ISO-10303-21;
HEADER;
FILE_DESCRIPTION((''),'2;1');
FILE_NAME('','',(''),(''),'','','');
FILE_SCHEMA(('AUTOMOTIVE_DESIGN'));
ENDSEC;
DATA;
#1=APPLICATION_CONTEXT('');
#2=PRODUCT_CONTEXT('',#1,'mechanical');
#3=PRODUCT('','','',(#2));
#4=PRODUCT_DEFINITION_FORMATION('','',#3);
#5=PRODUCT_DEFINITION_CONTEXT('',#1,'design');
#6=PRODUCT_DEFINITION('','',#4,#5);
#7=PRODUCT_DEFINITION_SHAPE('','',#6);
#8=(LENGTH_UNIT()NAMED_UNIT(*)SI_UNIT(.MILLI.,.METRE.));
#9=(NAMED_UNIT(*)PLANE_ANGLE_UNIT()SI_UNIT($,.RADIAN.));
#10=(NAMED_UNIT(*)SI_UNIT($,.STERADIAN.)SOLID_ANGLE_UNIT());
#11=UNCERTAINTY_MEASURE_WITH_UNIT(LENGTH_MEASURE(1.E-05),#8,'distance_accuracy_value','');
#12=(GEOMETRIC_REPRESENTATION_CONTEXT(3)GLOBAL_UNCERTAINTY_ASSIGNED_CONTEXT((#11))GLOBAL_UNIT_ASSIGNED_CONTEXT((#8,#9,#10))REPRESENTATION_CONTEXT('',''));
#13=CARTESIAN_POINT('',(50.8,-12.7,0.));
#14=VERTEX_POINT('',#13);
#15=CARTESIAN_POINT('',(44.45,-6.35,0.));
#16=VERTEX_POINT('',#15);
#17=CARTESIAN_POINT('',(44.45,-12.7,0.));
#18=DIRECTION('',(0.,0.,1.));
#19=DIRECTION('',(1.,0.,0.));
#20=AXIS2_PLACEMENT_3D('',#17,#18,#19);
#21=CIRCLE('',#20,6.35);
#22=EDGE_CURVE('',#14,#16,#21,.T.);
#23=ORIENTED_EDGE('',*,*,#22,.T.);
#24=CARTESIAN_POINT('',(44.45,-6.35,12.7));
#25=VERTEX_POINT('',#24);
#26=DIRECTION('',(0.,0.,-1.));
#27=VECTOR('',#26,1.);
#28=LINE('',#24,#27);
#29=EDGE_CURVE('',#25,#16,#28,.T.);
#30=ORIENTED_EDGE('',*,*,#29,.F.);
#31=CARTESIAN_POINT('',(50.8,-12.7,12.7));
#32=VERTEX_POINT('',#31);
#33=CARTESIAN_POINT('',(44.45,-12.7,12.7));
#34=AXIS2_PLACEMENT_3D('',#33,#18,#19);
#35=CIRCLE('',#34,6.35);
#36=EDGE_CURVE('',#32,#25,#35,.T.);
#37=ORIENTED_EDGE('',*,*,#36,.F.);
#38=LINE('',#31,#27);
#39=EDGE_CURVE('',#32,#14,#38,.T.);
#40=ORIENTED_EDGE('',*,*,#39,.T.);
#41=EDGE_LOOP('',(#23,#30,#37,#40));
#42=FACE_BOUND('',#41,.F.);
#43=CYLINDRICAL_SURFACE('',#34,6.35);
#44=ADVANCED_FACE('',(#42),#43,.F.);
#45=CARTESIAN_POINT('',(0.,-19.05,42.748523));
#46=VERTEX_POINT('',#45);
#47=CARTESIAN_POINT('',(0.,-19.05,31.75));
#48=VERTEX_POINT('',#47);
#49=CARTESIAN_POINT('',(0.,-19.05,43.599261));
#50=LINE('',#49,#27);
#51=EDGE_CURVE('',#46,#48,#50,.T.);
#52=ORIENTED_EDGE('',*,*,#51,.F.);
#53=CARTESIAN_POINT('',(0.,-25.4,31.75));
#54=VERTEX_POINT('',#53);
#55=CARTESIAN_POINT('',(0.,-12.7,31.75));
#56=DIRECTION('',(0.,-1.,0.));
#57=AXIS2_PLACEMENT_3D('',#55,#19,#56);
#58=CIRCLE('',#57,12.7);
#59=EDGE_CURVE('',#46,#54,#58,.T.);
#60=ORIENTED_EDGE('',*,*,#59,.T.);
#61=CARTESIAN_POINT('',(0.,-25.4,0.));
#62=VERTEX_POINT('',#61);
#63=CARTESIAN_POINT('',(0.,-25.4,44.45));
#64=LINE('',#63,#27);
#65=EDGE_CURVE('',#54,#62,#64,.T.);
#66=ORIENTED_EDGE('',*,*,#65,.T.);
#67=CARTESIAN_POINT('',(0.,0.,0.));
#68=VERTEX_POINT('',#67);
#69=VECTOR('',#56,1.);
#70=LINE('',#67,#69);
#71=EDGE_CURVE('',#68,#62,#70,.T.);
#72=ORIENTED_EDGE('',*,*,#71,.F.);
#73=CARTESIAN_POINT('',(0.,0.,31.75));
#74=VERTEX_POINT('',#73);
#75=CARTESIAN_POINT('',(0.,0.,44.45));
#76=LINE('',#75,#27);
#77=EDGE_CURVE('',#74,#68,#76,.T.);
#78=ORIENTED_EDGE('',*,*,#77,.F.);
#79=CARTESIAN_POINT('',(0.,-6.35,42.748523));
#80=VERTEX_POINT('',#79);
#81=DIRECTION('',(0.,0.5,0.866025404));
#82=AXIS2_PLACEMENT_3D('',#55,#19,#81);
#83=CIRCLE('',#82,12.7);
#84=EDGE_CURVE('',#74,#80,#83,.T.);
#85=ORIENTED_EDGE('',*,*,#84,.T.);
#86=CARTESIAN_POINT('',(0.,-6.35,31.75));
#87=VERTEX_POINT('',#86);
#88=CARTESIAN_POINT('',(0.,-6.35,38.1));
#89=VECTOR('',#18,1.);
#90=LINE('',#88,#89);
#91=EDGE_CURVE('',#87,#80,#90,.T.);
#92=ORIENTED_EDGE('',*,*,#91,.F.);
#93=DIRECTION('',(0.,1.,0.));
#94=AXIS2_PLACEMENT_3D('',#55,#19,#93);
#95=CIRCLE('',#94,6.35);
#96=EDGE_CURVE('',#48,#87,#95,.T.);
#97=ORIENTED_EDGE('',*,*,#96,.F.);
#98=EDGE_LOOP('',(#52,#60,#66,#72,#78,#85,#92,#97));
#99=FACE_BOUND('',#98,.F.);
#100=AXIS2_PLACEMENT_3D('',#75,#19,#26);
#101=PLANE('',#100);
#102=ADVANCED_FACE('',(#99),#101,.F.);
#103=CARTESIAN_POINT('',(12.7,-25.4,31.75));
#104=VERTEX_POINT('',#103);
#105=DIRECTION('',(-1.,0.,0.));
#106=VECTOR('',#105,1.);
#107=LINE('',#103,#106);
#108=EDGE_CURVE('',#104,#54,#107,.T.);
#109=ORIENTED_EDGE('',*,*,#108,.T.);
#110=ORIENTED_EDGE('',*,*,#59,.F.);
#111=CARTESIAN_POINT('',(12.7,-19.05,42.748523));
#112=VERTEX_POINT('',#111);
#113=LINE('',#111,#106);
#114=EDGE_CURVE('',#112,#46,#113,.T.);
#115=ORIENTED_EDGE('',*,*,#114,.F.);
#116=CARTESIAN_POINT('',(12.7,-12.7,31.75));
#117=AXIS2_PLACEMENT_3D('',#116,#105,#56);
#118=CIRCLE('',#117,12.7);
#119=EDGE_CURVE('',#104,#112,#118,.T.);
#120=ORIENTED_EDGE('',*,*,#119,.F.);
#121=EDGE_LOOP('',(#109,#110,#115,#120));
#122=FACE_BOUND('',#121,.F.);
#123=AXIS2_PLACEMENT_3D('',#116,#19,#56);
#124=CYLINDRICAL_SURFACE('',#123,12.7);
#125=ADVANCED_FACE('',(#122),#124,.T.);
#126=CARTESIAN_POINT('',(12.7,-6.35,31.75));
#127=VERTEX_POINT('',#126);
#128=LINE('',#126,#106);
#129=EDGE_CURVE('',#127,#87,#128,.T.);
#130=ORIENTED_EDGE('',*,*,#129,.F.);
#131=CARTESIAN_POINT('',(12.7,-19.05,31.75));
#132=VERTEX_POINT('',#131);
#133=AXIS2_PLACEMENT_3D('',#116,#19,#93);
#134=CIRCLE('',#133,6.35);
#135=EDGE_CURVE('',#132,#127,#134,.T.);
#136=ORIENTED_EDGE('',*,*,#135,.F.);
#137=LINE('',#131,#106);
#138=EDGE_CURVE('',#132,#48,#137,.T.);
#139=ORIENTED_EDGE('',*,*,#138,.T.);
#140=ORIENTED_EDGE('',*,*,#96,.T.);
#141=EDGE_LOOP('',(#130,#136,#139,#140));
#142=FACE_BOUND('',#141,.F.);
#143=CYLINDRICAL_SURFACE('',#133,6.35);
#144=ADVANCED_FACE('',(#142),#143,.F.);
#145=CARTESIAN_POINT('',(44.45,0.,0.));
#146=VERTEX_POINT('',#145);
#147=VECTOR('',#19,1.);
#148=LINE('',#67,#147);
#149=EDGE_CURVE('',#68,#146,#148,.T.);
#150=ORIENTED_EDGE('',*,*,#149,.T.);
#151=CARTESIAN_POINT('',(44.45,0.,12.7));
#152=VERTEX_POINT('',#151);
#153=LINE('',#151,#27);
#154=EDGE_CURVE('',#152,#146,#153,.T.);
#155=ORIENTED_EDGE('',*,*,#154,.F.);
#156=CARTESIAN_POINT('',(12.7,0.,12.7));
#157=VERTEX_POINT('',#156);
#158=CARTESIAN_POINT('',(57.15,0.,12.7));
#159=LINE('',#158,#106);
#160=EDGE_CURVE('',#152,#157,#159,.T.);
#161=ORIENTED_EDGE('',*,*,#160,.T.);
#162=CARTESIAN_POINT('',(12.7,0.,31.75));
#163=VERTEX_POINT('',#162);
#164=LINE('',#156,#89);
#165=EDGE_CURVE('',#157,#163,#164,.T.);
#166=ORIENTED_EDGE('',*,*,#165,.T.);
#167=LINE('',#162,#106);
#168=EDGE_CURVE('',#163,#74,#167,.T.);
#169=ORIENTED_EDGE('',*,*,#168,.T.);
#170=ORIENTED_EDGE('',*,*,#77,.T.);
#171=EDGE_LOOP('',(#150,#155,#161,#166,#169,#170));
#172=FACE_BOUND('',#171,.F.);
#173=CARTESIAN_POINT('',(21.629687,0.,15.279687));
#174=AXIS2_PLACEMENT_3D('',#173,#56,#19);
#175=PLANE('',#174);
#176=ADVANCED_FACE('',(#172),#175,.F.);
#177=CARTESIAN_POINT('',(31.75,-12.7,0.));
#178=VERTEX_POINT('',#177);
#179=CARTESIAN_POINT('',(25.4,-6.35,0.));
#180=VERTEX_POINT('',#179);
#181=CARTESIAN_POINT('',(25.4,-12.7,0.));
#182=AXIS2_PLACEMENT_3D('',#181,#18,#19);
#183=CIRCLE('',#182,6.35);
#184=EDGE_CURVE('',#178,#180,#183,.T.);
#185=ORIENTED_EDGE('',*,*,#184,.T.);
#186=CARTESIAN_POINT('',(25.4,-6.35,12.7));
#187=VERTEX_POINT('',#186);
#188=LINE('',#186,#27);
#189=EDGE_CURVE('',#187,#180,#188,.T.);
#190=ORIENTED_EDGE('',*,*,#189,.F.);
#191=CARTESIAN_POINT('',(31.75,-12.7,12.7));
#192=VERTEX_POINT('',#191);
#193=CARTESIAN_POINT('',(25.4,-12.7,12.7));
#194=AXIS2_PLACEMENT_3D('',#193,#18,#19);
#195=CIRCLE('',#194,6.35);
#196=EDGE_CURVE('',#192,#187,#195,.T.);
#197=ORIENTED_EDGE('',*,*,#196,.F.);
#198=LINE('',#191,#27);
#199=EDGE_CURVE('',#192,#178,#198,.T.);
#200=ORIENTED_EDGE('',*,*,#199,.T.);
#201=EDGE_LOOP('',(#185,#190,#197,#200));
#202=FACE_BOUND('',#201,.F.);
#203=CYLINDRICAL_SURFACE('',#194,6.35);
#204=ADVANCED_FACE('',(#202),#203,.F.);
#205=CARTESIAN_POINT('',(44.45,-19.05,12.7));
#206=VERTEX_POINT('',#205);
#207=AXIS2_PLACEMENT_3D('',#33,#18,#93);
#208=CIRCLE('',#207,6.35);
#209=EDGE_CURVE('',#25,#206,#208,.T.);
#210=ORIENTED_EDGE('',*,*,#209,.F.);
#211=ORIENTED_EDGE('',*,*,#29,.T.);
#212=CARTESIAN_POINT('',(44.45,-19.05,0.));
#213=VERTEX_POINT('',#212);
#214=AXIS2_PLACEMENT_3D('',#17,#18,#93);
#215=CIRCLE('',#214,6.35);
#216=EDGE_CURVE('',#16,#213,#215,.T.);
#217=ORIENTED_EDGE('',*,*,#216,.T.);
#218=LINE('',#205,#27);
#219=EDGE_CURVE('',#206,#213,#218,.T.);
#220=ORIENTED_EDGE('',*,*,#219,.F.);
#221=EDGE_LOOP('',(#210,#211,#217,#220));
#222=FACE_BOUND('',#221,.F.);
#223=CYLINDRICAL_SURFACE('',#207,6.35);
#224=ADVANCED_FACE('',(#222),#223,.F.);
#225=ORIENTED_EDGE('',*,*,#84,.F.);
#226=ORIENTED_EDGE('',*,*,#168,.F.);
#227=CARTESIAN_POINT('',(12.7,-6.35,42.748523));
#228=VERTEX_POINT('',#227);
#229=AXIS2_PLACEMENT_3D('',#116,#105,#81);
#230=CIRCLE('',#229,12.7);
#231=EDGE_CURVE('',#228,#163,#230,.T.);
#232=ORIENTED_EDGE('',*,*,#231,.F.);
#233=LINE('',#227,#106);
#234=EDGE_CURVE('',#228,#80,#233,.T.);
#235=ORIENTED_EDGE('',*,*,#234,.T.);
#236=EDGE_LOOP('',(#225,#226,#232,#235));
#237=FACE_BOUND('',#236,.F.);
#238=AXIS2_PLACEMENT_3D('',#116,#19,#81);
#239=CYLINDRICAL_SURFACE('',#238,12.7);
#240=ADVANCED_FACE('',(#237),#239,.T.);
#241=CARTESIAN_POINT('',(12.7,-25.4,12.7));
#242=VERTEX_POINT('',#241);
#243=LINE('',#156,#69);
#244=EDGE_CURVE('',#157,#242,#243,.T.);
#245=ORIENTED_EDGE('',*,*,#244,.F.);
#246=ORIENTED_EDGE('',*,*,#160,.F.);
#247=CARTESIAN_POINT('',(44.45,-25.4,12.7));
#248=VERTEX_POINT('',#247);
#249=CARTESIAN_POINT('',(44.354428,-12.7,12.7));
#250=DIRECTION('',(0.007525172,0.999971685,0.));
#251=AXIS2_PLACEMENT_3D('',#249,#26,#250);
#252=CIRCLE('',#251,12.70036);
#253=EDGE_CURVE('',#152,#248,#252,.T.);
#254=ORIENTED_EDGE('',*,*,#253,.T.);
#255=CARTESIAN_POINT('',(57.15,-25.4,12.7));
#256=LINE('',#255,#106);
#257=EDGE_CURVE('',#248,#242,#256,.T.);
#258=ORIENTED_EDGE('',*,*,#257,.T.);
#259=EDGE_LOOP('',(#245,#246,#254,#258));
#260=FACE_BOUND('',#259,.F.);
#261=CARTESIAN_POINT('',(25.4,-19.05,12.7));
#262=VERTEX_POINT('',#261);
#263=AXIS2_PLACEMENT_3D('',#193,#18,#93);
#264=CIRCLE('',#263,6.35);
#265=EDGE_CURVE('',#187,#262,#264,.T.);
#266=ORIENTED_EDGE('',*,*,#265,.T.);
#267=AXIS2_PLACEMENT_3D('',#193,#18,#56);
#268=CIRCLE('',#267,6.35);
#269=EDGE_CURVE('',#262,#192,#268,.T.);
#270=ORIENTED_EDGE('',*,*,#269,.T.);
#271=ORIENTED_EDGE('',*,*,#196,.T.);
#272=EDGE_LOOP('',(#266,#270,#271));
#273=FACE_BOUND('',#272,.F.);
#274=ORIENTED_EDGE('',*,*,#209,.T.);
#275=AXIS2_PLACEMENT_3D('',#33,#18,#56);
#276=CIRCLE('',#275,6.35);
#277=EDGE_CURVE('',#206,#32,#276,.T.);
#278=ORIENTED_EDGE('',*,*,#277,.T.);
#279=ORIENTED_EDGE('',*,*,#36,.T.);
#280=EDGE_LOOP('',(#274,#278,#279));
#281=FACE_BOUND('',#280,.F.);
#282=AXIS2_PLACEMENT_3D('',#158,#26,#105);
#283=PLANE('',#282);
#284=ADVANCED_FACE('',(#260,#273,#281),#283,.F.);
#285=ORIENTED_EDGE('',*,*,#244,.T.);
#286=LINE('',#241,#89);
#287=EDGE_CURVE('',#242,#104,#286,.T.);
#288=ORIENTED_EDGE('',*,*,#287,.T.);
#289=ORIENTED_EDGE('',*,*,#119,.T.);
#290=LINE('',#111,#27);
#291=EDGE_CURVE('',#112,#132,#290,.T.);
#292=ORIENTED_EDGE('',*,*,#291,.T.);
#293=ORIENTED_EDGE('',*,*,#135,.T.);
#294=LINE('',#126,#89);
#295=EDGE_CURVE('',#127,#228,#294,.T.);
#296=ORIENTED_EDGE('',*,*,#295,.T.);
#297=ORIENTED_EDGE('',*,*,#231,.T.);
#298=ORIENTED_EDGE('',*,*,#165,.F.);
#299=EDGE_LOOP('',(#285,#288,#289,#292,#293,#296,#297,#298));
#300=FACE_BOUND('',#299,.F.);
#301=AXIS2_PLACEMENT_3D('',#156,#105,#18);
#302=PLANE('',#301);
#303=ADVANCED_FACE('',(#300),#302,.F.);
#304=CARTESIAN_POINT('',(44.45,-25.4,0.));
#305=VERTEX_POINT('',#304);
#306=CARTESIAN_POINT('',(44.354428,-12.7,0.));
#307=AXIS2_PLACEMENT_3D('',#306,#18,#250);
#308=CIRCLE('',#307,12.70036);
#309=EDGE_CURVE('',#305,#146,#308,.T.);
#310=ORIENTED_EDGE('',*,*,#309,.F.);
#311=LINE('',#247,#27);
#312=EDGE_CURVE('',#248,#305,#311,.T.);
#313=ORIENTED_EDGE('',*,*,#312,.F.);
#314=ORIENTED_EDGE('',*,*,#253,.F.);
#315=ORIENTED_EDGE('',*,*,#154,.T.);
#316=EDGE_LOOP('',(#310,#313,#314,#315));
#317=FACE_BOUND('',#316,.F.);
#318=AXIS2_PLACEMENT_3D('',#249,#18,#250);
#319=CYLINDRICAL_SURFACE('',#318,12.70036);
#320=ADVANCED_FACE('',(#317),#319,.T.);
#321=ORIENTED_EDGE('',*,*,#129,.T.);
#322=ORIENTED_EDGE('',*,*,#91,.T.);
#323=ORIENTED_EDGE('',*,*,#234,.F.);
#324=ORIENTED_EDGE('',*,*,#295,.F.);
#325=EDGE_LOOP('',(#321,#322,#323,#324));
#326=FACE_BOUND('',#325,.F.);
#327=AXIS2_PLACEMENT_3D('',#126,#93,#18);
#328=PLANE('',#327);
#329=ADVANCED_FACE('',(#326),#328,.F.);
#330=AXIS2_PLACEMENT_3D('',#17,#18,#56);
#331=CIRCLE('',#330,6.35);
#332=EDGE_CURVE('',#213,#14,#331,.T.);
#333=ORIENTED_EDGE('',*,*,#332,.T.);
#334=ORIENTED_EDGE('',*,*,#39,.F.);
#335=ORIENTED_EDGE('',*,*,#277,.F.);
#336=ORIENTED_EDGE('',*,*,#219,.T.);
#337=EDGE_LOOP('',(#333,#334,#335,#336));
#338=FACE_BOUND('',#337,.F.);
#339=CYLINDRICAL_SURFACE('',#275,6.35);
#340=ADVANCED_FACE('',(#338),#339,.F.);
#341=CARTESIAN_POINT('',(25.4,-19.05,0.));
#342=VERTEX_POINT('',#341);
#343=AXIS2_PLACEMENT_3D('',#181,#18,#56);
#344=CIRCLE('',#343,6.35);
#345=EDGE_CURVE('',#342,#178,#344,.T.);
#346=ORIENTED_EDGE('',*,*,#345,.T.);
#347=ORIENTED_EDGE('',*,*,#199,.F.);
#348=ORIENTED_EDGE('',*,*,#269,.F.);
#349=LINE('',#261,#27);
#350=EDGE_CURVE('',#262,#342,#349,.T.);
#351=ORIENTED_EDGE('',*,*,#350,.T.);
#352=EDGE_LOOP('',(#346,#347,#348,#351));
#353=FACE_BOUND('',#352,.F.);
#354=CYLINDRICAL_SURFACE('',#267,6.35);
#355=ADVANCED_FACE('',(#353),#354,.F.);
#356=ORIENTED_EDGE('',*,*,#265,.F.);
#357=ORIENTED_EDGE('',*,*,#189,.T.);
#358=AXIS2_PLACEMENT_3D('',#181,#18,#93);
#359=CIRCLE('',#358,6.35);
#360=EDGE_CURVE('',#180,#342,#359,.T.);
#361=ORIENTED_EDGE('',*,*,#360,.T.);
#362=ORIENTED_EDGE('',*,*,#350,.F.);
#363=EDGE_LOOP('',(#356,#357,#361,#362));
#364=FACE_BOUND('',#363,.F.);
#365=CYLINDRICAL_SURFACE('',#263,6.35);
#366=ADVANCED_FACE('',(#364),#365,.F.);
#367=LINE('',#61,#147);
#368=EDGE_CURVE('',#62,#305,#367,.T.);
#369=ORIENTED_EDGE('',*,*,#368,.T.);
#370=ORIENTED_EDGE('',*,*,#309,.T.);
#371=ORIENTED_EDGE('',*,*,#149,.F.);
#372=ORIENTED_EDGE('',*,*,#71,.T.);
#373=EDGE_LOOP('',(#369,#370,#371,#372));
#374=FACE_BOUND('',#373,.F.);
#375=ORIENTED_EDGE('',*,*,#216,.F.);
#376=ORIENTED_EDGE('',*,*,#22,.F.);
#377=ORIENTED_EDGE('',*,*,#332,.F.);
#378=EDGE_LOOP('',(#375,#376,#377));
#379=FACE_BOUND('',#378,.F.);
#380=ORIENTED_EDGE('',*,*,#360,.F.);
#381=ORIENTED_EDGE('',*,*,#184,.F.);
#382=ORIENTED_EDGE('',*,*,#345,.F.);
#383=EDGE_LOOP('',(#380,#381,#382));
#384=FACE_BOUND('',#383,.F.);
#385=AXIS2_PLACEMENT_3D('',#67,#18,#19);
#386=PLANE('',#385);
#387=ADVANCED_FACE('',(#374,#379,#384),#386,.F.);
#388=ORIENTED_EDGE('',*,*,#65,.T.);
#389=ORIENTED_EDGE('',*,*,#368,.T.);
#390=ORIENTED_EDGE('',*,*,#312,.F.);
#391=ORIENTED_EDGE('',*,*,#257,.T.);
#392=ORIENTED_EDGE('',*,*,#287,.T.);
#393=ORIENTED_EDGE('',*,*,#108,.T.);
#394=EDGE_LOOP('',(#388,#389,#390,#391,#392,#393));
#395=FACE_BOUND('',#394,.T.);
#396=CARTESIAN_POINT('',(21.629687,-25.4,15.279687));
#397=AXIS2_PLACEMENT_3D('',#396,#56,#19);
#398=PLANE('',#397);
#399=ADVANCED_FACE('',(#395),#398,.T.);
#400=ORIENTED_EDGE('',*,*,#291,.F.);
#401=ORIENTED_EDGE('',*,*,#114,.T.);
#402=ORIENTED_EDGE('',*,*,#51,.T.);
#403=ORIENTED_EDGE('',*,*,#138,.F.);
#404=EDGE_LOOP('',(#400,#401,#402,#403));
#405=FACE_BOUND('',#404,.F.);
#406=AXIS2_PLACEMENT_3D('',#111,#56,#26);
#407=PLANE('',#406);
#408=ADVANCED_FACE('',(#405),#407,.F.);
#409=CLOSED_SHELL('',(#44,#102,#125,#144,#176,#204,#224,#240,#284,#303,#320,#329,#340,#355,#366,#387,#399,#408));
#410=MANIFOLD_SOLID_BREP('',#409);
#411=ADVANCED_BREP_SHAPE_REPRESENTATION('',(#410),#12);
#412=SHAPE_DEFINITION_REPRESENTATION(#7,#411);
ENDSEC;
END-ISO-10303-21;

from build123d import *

# Parameters (mm, degrees)
F1_DEPTH = 25.4
F3_DEPTH = 12.701
F5_DEPTH = 12.701


with BuildPart() as f1:
    # F0 (on Front) → F1 (new body)
    with BuildSketch(Plane.XZ):
        Polygon((0, 44.45), (0, 0), (57.15, 0), (57.15, 12.7), (12.7, 12.7), (12.7, 44.45), align=None)
    extrude(amount=F1_DEPTH)

    # F2 (on face) → F3 (cut, through all)
    with BuildSketch(Plane.XY.offset(12.7)):
        with BuildLine():
            Line((25.4, -19.05), (25.4, -6.35))
            ThreePointArc((25.4, -6.35), (19.05, -12.7), (25.4, -19.05))
        make_face()
        with BuildLine():
            ThreePointArc((31.75, -12.7), (29.8901280605, -8.2098719395), (25.4, -6.35))
            Line((25.4, -6.35), (25.4, -19.05))
            ThreePointArc((25.4, -19.05), (29.8901280605, -17.1901280605), (31.75, -12.7))
        make_face()
        with BuildLine():
            Line((44.45, -19.05), (44.45, -6.35))
            ThreePointArc((44.45, -6.35), (38.1, -12.7), (44.45, -19.05))
        make_face()
        with BuildLine():
            ThreePointArc((50.8, -12.7), (48.9401280605, -8.2098719395), (44.45, -6.35))
            Line((44.45, -6.35), (44.45, -19.05))
            ThreePointArc((44.45, -19.05), (48.9401280605, -17.1901280605), (50.8, -12.7))
        make_face()
        with BuildLine():
            Line((57.15, 0), (44.45, 0))
            ThreePointArc((44.45, 0), (57.0547872188, -12.7), (44.45, -25.4))
            Line((44.45, -25.4), (57.15, -25.4))
            Line((57.15, -25.4), (57.15, 0))
        make_face()
    extrude(amount=-F3_DEPTH, mode=Mode.SUBTRACT)

    # F4 (on face) → F5 (cut, through all)
    with BuildSketch(Plane.YZ.offset(12.7)):
        with BuildLine():
            Line((-25.4, 44.45), (-25.4, 31.75))
            ThreePointArc((-25.4, 31.75), (-23.6985226281, 38.1), (-19.05, 42.7485226281))
            Line((-19.05, 42.7485226281), (-19.05, 44.45))
            Line((-19.05, 44.45), (-25.4, 44.45))
        make_face()
        with BuildLine():
            ThreePointArc((-6.35, 42.7485226281), (-1.7014773719, 38.1), (0, 31.75))
            Line((0, 31.75), (0, 44.45))
            Line((0, 44.45), (-6.35, 44.45))
            Line((-6.35, 44.45), (-6.35, 42.7485226281))
        make_face()
        with BuildLine():
            ThreePointArc((-19.05, 31.75), (-12.7, 25.4), (-6.35, 31.75))
            Line((-6.35, 31.75), (-19.05, 31.75))
        make_face()
        with BuildLine():
            Line((-19.05, 31.75), (-6.35, 31.75))
            ThreePointArc((-6.35, 31.75), (-12.7, 38.1), (-19.05, 31.75))
        make_face()
        with BuildLine():
            ThreePointArc((-19.05, 31.75), (-12.7, 38.1), (-6.35, 31.75))
            Line((-6.35, 31.75), (-6.35, 42.7485226281))
            ThreePointArc((-6.35, 42.7485226281), (-9.4129981272, 44.0172579939), (-12.7, 44.45))
            ThreePointArc((-12.7, 44.45), (-15.9870018728, 44.0172579939), (-19.05, 42.7485226281))
            Line((-19.05, 42.7485226281), (-19.05, 31.75))
        make_face()
        with BuildLine():
            ThreePointArc((-12.7, 44.45), (-9.4129981272, 44.0172579939), (-6.35, 42.7485226281))
            Line((-6.35, 42.7485226281), (-6.35, 44.45))
            Line((-6.35, 44.45), (-12.7, 44.45))
        make_face()
        with BuildLine():
            Line((-19.05, 44.45), (-19.05, 42.7485226281))
            ThreePointArc((-19.05, 42.7485226281), (-15.9870018728, 44.0172579939), (-12.7, 44.45))
            Line((-12.7, 44.45), (-19.05, 44.45))
        make_face()
    extrude(amount=-F5_DEPTH, mode=Mode.SUBTRACT)


solid = f1.part
